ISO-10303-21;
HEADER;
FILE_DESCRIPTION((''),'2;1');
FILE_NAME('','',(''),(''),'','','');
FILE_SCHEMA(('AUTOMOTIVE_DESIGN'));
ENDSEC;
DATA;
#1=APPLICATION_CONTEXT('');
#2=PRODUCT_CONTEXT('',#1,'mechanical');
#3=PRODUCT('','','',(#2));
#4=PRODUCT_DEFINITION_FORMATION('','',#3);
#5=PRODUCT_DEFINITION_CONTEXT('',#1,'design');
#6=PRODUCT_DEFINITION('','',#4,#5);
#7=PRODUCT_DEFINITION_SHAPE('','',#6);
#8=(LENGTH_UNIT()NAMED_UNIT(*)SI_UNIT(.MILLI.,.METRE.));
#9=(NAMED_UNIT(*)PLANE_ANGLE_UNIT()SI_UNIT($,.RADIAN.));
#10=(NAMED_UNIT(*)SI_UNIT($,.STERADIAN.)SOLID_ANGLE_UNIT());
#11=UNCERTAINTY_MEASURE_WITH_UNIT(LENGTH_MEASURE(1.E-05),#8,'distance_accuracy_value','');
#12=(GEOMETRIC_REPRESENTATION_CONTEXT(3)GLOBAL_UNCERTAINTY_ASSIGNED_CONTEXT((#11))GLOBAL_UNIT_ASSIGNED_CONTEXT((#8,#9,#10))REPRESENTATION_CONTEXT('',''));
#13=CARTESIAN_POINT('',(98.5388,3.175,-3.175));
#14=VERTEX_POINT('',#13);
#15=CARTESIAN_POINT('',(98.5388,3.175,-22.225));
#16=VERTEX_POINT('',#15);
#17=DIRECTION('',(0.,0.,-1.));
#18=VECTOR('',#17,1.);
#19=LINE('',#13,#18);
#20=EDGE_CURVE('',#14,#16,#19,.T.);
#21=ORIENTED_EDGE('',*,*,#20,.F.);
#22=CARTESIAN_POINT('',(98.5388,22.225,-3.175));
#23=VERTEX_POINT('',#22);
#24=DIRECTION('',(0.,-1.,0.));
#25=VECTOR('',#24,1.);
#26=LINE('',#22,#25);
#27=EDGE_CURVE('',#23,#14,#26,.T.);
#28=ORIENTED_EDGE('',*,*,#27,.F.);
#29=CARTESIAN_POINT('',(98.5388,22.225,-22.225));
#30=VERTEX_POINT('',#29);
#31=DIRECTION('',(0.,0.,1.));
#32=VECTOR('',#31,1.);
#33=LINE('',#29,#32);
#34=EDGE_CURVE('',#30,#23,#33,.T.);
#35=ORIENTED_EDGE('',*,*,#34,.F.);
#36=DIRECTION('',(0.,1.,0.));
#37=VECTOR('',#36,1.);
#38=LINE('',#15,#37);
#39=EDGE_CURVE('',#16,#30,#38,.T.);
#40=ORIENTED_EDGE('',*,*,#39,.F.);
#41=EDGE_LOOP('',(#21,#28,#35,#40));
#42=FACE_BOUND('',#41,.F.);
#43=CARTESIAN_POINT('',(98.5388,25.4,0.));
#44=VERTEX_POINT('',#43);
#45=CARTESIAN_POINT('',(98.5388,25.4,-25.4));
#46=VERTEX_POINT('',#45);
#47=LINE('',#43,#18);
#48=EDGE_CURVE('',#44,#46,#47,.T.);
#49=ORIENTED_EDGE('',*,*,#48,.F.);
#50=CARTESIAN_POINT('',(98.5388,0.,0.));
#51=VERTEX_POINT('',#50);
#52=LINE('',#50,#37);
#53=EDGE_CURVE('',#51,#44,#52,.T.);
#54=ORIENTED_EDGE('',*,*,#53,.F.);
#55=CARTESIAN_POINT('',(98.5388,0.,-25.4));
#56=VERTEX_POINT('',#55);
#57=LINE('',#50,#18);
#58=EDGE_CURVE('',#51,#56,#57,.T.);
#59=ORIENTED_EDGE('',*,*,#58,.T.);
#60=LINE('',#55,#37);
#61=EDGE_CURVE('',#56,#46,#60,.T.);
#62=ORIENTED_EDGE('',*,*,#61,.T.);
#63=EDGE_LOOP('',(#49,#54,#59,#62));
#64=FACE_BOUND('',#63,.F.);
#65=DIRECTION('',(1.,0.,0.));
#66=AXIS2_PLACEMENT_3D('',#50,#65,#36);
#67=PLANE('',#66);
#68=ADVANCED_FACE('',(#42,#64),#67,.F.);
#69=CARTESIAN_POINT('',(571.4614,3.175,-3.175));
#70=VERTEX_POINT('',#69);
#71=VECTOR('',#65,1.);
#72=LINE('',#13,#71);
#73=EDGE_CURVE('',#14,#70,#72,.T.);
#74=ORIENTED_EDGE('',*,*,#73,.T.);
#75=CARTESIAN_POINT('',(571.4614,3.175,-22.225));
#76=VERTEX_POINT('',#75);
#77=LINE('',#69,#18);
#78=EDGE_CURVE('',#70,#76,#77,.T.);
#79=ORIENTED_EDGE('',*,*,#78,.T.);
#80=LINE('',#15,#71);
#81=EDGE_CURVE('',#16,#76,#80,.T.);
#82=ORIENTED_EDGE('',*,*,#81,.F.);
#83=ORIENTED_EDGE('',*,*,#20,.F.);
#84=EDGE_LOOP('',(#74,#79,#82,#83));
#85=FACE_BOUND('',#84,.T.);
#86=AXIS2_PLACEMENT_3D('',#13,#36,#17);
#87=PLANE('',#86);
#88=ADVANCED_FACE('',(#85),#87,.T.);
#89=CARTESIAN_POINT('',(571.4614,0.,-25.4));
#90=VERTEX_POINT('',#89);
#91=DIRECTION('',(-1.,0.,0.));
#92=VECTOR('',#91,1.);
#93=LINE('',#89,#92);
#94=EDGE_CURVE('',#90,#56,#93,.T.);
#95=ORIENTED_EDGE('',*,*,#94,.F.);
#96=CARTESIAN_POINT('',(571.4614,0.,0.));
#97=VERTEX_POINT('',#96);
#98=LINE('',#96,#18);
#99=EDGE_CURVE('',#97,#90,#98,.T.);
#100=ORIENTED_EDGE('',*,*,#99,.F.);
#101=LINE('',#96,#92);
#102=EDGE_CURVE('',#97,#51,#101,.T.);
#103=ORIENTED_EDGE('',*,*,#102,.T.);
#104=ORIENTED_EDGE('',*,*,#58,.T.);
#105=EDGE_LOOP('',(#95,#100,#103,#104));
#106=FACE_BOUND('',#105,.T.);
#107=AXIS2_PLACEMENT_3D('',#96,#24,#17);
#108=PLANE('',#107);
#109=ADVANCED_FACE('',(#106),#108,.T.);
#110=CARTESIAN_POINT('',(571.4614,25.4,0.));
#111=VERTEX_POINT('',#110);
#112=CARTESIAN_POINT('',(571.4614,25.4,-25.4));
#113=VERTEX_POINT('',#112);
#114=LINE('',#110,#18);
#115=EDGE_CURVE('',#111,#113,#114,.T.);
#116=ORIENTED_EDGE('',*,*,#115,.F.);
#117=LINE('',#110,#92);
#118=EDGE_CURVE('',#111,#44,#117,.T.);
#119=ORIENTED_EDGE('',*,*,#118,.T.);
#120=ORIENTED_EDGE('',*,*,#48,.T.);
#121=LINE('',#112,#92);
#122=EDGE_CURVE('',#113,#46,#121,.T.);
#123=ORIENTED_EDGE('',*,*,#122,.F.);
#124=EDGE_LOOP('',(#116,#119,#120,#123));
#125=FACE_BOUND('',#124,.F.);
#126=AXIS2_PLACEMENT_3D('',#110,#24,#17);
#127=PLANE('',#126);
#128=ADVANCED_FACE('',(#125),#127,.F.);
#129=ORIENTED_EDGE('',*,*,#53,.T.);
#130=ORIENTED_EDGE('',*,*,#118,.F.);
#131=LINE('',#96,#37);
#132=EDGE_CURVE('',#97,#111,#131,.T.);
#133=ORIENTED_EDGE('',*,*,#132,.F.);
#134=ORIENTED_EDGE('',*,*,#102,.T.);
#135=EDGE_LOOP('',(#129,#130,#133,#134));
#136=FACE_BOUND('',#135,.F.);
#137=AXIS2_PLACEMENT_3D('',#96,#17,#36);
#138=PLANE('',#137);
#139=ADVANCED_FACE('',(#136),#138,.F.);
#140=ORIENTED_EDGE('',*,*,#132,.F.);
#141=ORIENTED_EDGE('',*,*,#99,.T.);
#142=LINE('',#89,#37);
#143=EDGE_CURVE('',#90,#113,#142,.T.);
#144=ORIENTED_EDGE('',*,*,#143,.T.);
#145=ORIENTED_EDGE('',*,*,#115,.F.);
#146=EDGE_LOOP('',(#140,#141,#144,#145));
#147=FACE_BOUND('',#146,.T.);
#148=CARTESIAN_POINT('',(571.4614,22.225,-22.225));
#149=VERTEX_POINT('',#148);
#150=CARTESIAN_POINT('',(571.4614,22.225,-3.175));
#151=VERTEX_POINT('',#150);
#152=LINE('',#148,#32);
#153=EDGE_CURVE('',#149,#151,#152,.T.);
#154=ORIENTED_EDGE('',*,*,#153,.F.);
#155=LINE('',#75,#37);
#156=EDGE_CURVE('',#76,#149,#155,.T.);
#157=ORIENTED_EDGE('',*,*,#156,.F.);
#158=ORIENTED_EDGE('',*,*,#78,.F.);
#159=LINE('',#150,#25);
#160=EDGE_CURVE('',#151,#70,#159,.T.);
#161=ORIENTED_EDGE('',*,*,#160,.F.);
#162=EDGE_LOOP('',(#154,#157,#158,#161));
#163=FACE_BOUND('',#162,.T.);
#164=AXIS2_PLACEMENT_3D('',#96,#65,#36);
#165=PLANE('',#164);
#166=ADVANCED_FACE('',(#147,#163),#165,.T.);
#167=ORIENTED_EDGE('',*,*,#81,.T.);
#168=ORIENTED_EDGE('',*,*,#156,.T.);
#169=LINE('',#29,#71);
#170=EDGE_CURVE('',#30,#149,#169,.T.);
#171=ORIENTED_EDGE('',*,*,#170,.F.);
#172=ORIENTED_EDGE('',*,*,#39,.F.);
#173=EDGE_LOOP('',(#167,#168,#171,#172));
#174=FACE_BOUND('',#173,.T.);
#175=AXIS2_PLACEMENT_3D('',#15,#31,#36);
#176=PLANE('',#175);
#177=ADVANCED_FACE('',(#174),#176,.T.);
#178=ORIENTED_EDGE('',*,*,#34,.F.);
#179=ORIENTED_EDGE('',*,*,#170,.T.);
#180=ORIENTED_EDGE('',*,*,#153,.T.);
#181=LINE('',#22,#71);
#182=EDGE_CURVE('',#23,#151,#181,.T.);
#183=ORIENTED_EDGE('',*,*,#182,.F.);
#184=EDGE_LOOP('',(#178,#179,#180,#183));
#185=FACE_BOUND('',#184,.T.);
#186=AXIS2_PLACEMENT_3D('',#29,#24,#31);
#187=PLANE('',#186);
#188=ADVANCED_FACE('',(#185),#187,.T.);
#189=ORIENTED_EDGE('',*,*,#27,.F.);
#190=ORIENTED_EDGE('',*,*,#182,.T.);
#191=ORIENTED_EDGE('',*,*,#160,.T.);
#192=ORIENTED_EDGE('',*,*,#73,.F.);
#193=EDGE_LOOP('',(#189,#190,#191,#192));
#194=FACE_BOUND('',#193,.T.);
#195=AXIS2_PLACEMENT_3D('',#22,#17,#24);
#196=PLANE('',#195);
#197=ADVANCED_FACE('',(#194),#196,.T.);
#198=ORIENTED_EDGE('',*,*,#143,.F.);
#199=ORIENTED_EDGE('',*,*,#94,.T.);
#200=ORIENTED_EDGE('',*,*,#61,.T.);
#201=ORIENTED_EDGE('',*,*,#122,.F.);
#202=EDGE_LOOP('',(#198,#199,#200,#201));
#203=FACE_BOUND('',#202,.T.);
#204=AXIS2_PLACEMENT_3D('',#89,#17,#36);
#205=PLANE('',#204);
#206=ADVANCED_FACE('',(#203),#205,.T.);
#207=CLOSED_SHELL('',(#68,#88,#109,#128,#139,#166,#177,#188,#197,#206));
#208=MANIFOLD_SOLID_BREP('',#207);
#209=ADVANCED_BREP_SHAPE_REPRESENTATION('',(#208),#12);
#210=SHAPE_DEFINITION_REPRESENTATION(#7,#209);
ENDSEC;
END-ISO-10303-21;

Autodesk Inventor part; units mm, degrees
sketch "Sketch1" plane through (0, 0, 0) normal (1, 0, 0) x (0, 1, 0)
  line L0 (0, 0) -> (25.4, 0)
  line L1 (25.4, 0) -> (25.4, -25.4)
  line L2 (0, 0) -> (0, -25.4)
  line L3 (0, -25.4) -> (25.4, -25.4)
  line L4 (22.225, -22.225) -> (22.225, -3.175)
  line L5 (22.225, -3.175) -> (3.175, -3.175)
  line L6 (3.175, -3.175) -> (3.175, -22.225)
  line L7 (3.175, -22.225) -> (22.225, -22.225)
  dimension "d1" = 25.4
  dimension "d5" = 25.4
  dimension "d7" = 25.4
  dimension "d8" = 3.175
ref_plane "Work Plane1" through (121.4904, -591.0492, 62.9788) normal (-1, 0, 0) x (0, -0.0011, 1)
ref_plane "Work Plane2" through (594.413, -591.0492, 62.9788) normal (1, 0, 0) x (0, 1, 0.0011)
ref_plane "Work Plane3" through (121.4904, -685.829, -0.8415) normal (-1, 0, 0) x (0, 0, 1)
ref_plane "Work Plane4" through (572.188, -685.8218, 2.3335) normal (1, 0, 0) x (0, 1, 0)
ref_plane "Work Plane5" through (571.4614, -9.58, -1.5962) normal (1, 0, 0) x (0, 1, 0)
ref_plane "Work Plane6" through (98.5388, -9.58, -1.5962) normal (-1, 0, 0) x (0, 0, 1)
extrude "Extrusion1" add sketch "Sketch1" against normal up to surface (472.9226 mm away) from surface at 571.4614 contours L0 L1 L3 L2 | L7 L6 L5 L4
ref_plane "Work Plane7" through (98.5388, -9.554, -0.8415) normal (-1, 0, 0) x (0, 0, 1)
ref_plane "Work Plane8" through (571.4614, -9.554, -0.8415) normal (1, 0, 0) x (0, 1, 0)
extrude "Extrusion2" cut sketch "Sketch1" along normal up to surface (472.9226 mm away) from surface at 98.5388 contours L7 L6 L5 L4
properties part number "15102898-16-P-0219"
